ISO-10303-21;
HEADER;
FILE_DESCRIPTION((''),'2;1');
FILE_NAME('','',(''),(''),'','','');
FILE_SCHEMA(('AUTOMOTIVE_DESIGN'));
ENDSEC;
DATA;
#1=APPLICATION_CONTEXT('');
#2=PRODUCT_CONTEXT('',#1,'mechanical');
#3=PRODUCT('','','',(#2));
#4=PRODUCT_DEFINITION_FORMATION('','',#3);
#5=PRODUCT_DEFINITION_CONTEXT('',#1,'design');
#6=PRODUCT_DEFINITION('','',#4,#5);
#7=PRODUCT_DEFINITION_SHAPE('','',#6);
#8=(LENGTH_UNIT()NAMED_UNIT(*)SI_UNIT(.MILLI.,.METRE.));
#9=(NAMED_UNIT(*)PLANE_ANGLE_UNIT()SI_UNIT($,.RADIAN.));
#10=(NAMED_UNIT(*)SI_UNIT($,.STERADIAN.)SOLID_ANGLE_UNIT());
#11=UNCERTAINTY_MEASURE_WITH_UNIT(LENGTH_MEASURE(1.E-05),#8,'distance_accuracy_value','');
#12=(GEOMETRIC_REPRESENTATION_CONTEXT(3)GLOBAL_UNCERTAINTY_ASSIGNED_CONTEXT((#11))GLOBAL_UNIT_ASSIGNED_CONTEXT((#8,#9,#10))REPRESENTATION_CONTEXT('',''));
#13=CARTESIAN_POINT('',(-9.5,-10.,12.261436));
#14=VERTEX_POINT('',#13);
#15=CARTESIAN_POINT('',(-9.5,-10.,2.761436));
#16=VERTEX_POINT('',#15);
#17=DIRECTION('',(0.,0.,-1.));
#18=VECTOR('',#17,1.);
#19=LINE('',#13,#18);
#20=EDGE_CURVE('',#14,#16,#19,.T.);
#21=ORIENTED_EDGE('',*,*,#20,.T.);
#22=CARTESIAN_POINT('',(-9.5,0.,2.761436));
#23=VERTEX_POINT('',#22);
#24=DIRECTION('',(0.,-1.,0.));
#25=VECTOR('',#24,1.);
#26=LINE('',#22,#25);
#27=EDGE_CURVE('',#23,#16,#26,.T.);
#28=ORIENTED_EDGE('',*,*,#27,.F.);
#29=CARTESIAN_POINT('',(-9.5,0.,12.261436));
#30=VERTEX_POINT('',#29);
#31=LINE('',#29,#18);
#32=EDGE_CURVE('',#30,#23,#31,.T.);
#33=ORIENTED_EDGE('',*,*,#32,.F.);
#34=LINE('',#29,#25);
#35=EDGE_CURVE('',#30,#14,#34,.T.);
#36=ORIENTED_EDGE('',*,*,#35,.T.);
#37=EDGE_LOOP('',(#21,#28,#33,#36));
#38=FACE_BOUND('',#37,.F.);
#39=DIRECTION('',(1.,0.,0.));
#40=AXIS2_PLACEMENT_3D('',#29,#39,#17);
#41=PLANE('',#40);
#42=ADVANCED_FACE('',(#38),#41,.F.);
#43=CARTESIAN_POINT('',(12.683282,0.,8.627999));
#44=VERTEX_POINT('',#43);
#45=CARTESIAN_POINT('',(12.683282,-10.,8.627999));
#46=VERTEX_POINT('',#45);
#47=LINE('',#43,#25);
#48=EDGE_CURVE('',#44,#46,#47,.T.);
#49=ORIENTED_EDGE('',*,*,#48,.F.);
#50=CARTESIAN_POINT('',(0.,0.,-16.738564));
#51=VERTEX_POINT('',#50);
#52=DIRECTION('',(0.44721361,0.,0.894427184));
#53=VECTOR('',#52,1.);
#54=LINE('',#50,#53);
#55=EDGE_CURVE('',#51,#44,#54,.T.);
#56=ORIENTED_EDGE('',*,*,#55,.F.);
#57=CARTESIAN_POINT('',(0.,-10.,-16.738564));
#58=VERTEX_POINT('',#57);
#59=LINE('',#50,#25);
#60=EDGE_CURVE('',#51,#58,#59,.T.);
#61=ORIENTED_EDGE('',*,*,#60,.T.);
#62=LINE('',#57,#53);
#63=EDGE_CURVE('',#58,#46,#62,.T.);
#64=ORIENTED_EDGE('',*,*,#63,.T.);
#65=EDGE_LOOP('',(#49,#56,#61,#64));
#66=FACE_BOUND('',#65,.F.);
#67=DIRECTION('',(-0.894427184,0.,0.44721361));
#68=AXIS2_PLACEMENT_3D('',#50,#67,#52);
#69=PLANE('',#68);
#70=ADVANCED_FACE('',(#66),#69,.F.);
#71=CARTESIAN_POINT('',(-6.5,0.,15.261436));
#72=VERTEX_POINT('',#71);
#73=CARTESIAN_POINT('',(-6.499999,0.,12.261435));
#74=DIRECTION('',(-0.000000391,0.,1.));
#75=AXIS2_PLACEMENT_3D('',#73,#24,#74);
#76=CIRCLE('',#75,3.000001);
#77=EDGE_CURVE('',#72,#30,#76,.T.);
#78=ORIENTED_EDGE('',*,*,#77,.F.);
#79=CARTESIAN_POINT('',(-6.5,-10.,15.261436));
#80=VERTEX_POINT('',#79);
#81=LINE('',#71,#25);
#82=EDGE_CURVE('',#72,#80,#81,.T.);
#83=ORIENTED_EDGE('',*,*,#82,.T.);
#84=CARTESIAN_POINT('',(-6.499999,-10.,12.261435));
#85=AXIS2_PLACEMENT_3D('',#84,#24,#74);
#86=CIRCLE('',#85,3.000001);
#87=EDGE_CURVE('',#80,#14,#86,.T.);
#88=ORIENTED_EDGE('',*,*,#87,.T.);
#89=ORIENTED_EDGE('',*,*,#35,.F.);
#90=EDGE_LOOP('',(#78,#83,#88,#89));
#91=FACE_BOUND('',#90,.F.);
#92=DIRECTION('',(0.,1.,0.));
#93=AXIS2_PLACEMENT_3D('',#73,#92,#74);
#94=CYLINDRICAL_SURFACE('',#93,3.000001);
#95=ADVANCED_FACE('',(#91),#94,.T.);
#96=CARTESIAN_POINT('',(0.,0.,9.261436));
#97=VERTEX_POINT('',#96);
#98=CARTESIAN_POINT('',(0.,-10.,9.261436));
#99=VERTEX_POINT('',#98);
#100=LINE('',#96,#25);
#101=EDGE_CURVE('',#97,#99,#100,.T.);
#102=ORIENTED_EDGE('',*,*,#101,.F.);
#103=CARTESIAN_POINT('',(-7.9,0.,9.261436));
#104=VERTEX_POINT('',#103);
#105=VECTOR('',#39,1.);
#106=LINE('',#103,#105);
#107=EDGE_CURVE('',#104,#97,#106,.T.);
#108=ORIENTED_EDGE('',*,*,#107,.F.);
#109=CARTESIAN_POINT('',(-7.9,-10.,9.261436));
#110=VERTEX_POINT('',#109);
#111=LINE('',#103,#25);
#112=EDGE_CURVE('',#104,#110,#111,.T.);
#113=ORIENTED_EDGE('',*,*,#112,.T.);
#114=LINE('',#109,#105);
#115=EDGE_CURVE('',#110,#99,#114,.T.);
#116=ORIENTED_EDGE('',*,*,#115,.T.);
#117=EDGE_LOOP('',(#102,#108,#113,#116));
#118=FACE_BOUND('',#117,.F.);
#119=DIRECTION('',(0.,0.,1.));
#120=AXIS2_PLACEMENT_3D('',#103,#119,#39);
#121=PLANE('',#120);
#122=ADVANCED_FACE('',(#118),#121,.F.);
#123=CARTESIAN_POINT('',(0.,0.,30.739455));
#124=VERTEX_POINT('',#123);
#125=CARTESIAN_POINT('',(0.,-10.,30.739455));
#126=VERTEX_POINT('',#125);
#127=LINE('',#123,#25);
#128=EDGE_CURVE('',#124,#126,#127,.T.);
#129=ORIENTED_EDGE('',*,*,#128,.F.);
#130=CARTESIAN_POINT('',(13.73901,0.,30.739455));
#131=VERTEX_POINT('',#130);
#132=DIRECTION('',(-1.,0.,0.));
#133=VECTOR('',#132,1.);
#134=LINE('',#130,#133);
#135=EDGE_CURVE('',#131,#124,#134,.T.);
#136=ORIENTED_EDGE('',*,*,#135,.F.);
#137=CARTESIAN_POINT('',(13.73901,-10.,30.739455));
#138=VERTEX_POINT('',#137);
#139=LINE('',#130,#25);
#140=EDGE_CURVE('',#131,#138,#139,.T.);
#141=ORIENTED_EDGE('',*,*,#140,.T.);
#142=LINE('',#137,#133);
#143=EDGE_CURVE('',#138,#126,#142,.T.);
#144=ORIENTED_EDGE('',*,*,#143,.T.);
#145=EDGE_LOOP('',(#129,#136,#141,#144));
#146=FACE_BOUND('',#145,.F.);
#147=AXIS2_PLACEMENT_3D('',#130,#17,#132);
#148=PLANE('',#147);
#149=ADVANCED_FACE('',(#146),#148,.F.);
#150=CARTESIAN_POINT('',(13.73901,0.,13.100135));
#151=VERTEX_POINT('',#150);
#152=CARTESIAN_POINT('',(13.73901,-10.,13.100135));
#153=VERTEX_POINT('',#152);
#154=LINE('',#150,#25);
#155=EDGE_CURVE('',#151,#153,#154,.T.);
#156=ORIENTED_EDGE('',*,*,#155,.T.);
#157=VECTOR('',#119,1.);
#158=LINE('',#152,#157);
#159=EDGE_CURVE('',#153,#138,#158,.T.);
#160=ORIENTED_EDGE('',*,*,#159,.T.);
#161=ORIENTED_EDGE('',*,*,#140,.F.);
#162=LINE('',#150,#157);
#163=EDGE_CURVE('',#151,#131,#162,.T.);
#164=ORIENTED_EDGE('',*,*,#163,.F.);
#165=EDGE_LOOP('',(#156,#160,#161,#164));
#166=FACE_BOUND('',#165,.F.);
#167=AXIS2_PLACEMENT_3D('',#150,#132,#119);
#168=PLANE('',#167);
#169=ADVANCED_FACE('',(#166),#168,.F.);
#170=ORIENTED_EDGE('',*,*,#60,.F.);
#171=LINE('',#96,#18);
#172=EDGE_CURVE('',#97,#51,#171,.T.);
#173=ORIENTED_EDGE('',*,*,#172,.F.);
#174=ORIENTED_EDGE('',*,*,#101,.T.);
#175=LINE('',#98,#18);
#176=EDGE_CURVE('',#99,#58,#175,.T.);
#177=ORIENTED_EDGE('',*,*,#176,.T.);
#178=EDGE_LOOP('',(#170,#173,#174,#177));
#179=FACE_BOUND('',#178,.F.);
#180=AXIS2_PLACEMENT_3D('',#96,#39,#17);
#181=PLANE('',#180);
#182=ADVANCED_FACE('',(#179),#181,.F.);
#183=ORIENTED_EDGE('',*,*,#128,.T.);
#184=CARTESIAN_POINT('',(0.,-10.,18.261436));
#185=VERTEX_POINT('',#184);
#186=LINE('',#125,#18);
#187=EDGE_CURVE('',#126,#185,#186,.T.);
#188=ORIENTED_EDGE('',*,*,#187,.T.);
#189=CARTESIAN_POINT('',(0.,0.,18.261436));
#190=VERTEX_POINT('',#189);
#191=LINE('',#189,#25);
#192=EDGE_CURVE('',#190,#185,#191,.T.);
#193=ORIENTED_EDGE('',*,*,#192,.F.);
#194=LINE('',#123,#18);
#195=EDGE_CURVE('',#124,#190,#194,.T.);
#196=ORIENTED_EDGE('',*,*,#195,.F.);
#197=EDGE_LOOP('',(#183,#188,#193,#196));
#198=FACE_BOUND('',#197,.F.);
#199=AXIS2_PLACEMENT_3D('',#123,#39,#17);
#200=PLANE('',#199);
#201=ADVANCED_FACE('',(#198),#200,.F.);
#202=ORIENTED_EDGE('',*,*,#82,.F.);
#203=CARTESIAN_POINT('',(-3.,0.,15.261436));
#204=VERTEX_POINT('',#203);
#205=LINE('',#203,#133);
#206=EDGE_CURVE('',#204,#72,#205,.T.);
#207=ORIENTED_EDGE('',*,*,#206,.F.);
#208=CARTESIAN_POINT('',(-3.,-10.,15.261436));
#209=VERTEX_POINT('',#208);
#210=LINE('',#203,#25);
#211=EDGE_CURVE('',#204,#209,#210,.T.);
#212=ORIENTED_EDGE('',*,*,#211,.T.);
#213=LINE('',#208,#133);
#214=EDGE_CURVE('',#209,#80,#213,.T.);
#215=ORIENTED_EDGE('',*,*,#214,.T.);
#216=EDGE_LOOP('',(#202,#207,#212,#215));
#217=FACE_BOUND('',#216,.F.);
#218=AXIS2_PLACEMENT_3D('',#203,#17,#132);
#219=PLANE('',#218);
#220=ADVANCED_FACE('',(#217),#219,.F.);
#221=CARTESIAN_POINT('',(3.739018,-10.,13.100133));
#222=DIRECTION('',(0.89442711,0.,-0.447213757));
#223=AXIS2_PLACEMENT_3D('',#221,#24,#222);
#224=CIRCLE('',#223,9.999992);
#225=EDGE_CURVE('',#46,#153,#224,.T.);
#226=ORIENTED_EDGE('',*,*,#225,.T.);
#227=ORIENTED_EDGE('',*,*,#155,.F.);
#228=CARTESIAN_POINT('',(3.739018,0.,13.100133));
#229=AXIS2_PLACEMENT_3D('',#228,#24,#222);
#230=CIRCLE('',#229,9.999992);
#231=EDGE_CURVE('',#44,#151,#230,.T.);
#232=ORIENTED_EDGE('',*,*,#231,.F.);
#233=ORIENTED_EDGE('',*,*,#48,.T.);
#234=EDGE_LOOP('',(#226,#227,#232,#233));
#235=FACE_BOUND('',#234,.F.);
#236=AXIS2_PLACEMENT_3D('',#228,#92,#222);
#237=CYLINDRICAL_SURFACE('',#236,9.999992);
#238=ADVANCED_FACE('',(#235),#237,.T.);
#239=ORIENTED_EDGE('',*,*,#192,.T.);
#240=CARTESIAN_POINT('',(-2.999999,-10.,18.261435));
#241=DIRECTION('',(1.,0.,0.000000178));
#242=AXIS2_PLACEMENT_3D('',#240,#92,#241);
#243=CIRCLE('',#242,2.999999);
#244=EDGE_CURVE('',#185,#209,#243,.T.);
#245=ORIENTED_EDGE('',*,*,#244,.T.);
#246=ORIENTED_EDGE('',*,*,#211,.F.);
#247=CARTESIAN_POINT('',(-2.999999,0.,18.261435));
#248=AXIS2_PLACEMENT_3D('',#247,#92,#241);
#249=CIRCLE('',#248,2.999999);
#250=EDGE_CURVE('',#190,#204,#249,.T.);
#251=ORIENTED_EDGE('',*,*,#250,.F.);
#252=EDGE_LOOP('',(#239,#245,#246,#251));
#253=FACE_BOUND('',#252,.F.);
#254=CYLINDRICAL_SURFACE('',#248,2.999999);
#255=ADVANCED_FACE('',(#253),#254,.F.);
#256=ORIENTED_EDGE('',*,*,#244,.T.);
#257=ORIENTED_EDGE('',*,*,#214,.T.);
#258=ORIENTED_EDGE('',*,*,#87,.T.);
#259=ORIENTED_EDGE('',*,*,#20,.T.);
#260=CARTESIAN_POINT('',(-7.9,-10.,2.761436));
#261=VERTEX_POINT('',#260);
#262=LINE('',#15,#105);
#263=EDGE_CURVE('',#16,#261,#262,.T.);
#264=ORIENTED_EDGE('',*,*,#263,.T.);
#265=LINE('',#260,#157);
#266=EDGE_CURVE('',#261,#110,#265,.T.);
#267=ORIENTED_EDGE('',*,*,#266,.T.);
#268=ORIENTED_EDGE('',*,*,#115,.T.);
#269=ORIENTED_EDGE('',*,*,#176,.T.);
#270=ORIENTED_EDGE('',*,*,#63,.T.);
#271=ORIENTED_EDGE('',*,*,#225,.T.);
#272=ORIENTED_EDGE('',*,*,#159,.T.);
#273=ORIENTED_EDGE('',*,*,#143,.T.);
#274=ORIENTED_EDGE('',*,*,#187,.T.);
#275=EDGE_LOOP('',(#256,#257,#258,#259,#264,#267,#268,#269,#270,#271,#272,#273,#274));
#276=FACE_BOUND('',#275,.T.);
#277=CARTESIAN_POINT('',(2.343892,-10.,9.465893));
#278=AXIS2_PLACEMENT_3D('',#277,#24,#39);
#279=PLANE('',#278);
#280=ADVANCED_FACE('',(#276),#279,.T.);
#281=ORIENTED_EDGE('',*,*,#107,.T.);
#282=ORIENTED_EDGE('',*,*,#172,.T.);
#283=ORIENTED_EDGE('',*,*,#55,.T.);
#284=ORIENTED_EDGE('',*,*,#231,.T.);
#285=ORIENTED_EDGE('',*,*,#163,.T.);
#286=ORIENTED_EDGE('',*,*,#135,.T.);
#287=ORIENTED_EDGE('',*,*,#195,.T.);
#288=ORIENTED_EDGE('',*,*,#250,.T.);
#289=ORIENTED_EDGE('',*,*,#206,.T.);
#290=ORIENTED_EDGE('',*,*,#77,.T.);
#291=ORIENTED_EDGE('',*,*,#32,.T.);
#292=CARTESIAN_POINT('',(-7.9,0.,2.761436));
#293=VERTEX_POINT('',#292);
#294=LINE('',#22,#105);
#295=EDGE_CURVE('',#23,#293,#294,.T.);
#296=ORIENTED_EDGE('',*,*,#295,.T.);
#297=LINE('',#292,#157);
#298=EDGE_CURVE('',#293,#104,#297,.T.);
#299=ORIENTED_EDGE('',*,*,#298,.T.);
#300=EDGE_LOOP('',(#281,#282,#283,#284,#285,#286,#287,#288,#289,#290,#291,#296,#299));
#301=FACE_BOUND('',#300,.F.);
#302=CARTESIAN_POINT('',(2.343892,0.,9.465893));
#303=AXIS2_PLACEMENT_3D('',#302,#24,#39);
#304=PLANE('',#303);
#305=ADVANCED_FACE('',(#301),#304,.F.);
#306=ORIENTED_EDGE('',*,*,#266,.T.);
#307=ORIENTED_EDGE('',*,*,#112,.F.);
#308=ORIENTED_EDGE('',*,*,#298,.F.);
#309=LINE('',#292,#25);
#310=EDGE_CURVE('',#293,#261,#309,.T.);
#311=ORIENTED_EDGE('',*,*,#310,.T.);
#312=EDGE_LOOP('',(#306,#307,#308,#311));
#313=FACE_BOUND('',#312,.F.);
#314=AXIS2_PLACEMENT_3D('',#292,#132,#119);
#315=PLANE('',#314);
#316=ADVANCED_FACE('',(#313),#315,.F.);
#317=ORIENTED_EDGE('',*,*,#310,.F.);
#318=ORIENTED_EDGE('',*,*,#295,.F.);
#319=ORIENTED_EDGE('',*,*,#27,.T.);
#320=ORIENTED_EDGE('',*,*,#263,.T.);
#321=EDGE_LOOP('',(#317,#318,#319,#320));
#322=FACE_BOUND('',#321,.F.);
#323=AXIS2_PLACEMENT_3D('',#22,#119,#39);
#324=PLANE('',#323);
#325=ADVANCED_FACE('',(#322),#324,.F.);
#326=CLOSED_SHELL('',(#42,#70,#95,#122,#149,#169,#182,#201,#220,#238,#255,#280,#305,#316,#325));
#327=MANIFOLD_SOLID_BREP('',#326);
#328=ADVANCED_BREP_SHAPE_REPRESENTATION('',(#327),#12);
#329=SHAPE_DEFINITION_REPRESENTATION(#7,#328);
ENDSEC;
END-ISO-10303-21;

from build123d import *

# Parameters (mm, degrees)
F1_DEPTH = 10


with BuildPart() as f1:
    # F0 (on Front) → F1 (new body)
    with BuildSketch(Plane.XZ):
        with BuildLine():
            Line((-7.9, 9.261436), (0, 9.261436))
            Line((0, 9.261436), (0, -16.738564))
            Line((0, -16.738564), (12.683282, 8.627999))
            ThreePointArc((12.683282, 8.627999), (13.4715, 10.802605), (13.73901, 13.100135))
            Line((13.73901, 13.100135), (13.73901, 30.739455))
            Line((13.73901, 30.739455), (0, 30.739455))
            Line((0, 30.739455), (0, 18.261436))
            ThreePointArc((0, 18.261436), (-0.87868, 16.140115), (-3, 15.261436))
            Line((-3, 15.261436), (-6.5, 15.261436))
            ThreePointArc((-6.5, 15.261436), (-8.62132, 14.382756), (-9.5, 12.261436))
            Line((-9.5, 12.261436), (-9.5, 9.261436))
            Line((-9.5, 9.261436), (-9.5, 2.761436))
            Line((-9.5, 2.761436), (-7.9, 2.761436))
            Line((-7.9, 2.761436), (-7.9, 9.261436))
        make_face()
    extrude(amount=F1_DEPTH)


solid = f1.part
